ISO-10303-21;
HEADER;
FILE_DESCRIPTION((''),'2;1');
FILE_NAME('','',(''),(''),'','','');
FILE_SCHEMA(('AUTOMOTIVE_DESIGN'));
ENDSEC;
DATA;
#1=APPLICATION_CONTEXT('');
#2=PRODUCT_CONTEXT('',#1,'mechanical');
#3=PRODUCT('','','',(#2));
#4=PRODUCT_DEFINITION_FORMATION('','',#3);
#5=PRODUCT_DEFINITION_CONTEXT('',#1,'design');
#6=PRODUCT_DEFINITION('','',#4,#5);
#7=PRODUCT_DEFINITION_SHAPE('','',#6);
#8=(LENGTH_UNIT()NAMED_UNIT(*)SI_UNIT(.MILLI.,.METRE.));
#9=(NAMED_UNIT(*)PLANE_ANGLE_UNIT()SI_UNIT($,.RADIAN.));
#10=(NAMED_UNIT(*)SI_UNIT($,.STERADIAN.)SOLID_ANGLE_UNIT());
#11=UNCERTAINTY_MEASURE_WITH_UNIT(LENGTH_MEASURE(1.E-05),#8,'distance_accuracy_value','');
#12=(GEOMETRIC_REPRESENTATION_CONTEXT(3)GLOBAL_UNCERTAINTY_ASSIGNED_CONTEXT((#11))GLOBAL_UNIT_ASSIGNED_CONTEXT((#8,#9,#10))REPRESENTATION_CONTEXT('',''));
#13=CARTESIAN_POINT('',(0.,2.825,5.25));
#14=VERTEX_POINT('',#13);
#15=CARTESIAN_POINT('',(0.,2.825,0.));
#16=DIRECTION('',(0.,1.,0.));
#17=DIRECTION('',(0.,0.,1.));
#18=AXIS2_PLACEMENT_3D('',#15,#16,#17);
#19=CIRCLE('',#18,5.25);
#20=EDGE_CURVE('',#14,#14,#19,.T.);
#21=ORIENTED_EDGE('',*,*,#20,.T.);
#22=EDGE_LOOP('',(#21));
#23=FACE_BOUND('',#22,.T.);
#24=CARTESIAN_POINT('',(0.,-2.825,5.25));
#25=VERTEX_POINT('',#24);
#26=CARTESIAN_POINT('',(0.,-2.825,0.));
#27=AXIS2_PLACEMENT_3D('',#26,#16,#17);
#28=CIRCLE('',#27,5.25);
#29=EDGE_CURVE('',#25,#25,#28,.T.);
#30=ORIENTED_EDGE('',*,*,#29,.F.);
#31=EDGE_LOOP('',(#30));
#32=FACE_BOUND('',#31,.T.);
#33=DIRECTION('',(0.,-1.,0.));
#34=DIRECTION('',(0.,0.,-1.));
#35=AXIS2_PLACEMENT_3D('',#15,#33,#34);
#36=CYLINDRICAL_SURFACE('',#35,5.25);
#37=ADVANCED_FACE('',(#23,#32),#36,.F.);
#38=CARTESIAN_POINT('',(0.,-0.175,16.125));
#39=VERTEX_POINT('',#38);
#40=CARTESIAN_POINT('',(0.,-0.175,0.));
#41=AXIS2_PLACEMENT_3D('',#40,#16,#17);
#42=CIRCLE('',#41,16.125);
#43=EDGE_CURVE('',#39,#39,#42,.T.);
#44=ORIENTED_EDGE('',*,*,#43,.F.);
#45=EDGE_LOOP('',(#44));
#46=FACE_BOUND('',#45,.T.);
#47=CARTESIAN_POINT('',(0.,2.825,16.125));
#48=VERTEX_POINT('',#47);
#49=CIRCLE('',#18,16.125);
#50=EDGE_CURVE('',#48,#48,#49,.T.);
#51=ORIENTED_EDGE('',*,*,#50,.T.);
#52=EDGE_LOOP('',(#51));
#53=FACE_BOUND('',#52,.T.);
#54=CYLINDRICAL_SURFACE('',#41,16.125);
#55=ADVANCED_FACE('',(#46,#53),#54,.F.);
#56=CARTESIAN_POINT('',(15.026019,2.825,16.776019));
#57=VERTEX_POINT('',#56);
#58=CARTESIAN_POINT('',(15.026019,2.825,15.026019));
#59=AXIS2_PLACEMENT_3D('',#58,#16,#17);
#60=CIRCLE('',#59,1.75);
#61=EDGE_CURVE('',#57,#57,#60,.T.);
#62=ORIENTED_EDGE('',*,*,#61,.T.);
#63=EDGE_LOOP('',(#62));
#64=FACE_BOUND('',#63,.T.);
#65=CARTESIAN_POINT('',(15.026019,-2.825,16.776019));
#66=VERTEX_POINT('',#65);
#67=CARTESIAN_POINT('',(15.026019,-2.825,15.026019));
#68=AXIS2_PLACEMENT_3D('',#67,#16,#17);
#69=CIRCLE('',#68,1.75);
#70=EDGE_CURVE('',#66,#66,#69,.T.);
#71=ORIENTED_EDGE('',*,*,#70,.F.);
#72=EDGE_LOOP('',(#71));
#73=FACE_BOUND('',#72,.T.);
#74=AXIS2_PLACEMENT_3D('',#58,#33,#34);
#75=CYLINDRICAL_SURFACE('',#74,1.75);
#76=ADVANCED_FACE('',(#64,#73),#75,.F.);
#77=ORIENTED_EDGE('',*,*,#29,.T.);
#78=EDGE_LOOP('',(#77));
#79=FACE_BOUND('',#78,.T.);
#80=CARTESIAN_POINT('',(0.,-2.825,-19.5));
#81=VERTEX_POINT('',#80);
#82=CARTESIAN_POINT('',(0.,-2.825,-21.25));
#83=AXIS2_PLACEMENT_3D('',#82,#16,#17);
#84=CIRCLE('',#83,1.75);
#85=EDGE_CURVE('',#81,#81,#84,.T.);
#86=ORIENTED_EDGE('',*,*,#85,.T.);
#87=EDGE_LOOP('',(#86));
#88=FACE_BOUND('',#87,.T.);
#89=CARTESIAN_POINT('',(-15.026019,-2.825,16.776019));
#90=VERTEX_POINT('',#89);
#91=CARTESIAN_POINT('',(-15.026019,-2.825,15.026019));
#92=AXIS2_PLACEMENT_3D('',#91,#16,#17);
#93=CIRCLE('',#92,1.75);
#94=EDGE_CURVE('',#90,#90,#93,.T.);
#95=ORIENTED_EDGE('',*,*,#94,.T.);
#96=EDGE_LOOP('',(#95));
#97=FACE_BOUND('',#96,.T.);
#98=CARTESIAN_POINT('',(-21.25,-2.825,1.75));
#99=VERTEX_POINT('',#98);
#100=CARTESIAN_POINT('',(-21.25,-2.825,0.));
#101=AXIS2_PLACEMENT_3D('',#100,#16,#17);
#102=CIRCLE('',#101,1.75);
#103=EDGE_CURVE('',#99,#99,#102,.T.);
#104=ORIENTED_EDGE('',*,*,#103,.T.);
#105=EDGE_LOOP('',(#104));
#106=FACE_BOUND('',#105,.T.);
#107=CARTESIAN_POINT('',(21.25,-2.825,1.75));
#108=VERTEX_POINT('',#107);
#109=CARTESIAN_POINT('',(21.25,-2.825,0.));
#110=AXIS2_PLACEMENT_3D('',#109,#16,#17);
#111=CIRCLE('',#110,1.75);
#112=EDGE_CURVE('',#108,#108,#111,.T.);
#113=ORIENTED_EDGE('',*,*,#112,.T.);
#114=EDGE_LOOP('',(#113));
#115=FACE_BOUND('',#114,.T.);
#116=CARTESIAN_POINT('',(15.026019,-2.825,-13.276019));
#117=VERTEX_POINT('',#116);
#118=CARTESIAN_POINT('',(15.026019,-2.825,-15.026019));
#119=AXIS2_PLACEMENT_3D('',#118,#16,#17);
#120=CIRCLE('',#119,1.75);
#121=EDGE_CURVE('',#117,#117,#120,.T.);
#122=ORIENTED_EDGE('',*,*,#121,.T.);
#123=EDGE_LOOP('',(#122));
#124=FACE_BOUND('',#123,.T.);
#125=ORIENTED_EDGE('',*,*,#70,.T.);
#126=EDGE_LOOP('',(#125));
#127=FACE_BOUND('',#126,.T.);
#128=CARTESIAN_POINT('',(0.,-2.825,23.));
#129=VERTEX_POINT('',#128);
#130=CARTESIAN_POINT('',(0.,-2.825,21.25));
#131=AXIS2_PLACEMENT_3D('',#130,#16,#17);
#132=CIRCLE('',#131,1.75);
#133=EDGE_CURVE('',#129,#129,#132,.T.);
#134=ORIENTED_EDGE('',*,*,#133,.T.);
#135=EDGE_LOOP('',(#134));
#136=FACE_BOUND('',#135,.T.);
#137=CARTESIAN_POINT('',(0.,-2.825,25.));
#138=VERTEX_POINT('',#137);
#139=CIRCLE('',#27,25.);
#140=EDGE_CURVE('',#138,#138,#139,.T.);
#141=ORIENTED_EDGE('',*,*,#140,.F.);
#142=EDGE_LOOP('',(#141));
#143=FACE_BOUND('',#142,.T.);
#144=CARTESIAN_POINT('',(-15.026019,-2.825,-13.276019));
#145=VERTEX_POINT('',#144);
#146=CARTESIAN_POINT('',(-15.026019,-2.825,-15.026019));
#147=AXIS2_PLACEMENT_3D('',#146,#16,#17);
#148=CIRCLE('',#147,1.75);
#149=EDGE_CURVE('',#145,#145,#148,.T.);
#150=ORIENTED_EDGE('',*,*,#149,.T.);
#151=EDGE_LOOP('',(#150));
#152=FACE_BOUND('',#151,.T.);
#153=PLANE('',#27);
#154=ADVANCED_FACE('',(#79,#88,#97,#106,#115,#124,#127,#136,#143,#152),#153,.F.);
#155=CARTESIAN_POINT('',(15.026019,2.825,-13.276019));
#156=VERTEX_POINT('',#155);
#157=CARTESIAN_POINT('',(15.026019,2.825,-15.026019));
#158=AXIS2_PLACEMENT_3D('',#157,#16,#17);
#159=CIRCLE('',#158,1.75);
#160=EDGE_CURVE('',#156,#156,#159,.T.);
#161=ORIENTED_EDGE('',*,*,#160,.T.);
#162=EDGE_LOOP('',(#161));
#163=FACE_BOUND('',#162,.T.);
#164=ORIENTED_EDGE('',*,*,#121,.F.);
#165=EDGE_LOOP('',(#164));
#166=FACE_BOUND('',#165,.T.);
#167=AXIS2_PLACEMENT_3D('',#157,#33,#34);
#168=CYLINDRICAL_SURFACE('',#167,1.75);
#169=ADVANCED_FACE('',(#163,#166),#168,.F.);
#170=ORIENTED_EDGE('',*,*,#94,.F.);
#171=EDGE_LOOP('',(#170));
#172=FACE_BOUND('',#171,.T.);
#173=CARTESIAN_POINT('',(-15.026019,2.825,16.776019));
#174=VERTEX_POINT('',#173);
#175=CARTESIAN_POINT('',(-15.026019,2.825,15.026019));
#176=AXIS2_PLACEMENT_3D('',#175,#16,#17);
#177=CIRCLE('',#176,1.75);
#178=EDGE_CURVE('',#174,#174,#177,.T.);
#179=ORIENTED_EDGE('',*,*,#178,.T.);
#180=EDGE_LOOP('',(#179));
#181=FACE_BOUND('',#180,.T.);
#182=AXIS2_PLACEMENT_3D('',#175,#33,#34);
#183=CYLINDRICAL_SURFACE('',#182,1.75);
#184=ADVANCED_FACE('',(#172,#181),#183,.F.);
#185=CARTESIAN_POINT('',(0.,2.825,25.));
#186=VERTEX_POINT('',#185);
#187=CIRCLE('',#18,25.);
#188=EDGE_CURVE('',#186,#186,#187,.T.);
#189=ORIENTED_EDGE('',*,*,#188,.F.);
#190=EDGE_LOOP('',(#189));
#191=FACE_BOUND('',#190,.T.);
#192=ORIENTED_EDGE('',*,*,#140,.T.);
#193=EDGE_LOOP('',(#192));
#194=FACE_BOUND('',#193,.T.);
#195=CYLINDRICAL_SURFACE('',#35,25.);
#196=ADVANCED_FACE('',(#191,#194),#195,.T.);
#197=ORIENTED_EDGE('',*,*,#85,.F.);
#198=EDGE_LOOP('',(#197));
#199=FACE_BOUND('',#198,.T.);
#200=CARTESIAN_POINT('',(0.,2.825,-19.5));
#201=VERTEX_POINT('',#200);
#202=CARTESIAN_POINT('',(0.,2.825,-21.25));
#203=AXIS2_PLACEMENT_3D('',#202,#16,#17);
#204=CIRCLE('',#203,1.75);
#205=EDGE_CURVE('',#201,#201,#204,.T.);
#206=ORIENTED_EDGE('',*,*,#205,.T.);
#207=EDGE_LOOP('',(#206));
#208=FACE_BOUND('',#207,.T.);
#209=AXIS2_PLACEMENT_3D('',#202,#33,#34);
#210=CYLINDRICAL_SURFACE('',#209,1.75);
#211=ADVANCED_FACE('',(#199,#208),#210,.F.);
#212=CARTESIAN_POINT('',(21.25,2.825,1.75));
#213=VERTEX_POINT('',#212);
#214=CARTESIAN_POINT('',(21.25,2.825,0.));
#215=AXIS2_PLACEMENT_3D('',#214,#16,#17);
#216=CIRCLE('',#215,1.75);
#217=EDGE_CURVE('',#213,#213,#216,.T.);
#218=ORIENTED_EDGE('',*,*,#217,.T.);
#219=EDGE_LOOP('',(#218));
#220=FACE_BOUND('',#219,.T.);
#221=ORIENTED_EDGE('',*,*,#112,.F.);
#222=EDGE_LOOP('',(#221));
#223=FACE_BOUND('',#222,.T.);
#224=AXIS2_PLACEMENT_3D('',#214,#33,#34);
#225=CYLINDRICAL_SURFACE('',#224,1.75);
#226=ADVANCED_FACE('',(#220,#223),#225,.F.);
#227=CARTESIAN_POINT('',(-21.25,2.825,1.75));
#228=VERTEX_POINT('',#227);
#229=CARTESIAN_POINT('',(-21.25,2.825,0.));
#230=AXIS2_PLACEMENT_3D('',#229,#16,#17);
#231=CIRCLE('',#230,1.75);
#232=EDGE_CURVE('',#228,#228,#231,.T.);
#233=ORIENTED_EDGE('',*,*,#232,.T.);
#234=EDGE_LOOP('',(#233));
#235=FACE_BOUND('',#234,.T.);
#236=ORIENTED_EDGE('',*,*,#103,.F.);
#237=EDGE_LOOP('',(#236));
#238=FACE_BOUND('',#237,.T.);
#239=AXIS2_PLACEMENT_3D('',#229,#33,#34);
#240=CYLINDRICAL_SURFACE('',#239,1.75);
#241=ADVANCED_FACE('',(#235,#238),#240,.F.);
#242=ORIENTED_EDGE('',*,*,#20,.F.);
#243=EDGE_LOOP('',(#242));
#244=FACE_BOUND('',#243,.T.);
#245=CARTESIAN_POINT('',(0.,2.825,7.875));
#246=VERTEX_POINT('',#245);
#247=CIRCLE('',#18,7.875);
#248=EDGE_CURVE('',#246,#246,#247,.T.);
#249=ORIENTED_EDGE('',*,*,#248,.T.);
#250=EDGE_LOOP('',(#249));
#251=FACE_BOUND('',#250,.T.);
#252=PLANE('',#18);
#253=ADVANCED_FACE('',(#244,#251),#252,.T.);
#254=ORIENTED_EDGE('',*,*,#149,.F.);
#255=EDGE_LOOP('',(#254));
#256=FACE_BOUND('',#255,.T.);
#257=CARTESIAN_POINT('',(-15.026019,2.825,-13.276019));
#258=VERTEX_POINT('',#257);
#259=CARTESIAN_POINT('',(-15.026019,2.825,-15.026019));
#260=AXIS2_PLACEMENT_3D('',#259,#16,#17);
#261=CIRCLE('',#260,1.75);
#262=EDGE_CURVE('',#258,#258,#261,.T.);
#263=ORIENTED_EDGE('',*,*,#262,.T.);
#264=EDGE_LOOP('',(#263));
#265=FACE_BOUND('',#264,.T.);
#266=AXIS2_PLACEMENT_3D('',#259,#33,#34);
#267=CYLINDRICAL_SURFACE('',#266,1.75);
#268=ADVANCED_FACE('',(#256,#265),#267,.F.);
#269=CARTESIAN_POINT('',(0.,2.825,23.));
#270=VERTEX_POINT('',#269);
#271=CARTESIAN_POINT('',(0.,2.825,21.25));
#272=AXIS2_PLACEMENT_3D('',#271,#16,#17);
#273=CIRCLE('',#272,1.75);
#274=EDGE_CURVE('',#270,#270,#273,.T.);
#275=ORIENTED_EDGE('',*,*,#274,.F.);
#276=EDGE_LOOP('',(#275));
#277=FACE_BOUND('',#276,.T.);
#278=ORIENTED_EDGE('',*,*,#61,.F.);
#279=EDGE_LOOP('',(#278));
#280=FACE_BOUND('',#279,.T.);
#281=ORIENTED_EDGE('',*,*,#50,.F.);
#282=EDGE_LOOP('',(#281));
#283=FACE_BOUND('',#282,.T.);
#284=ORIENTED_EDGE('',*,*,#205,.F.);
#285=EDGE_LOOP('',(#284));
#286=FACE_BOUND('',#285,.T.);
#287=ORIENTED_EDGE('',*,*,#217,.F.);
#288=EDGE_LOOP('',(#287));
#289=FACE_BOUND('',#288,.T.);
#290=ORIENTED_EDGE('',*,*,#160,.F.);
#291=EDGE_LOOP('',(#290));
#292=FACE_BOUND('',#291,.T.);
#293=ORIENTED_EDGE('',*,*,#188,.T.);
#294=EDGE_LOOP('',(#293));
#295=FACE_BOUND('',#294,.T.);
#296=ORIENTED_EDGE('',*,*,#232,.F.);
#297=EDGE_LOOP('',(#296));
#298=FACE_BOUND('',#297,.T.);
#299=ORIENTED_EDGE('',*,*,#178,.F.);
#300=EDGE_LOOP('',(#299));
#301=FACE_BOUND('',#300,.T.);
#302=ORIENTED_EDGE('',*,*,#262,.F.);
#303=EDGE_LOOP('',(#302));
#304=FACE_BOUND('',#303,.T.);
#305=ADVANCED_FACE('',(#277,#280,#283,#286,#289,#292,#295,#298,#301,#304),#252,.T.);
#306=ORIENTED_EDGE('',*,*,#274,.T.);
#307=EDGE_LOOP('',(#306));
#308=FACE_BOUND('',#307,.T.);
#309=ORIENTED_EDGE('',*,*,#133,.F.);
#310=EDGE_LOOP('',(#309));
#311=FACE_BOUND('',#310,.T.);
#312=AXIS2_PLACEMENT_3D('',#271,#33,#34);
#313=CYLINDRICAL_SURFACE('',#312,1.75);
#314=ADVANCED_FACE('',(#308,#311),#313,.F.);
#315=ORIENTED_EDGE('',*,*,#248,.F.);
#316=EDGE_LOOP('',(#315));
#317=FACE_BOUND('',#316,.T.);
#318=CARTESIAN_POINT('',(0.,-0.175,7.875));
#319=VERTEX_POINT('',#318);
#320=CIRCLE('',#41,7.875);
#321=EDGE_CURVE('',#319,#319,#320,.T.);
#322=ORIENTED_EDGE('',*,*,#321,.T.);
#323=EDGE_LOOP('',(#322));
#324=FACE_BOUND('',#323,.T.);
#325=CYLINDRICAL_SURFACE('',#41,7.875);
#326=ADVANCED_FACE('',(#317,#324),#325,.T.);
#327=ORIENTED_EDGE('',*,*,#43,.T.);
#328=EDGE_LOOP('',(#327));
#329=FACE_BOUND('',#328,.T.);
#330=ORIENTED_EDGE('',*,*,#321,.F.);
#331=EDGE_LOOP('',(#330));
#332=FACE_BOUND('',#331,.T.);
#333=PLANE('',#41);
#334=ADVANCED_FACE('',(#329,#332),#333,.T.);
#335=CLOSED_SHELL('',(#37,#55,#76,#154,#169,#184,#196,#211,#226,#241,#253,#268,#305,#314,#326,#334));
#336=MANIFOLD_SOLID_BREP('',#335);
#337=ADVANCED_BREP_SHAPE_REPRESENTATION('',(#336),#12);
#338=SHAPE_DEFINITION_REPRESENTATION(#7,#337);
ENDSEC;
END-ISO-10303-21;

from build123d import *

# Parameters (mm, degrees)
SKETCH2_R           = 25
SKETCH2_R_2         = 5.25
SKETCH2_R_3         = 1.75
BOSS_EXTRUDE1_DEPTH = 2.825
SKETCH3_R           = 16.125
SKETCH3_R_2         = 7.875
CUT_EXTRUDE1_DEPTH  = 3


with BuildPart() as part:
    # Sketch2 → Boss-Extrude1 (new, symmetric)
    with BuildSketch(Plane(origin=(0, 0, 0), x_dir=(1, 0, 0), z_dir=(0, 1, 0))):
        with Locations(Location((0, 0, 0), (0, 0, 270))):
            Circle(SKETCH2_R)
        with Locations(Location((0, 0, 0), (0, 0, 270))):
            Circle(SKETCH2_R_2, mode=Mode.SUBTRACT)
        with Locations(Location((0, 21.25, 0), (0, 0, 270))):
            Circle(SKETCH2_R_3, mode=Mode.SUBTRACT)
        with Locations(Location((15.0260191, 15.0260191, 0), (0, 0, 270))):
            Circle(SKETCH2_R_3, mode=Mode.SUBTRACT)
        with Locations(Location((21.25, 0, 0), (0, 0, 270))):
            Circle(SKETCH2_R_3, mode=Mode.SUBTRACT)
        with Locations(Location((15.0260191, -15.0260191, 0), (0, 0, 270))):
            Circle(SKETCH2_R_3, mode=Mode.SUBTRACT)
        with Locations(Location((0, -21.25, 0), (0, 0, 270))):
            Circle(SKETCH2_R_3, mode=Mode.SUBTRACT)
        with Locations(Location((-15.0260191, -15.0260191, 0), (0, 0, 270))):
            Circle(SKETCH2_R_3, mode=Mode.SUBTRACT)
        with Locations(Location((-21.25, 0, 0), (0, 0, 270))):
            Circle(SKETCH2_R_3, mode=Mode.SUBTRACT)
        with Locations(Location((-15.0260191, 15.0260191, 0), (0, 0, 270))):
            Circle(SKETCH2_R_3, mode=Mode.SUBTRACT)
    extrude(amount=BOSS_EXTRUDE1_DEPTH, both=True)

    # Sketch3 → Cut-Extrude1 (cut)
    with BuildSketch(Plane(origin=(0, 2.825, 0), x_dir=(1, 0, 0), z_dir=(0, 1, 0))):
        with Locations(Location((0, 0, 0), (0, 0, 270))):
            Circle(SKETCH3_R)
        with Locations(Location((0, 0, 0), (0, 0, 270))):
            Circle(SKETCH3_R_2, mode=Mode.SUBTRACT)
    extrude(amount=-CUT_EXTRUDE1_DEPTH, mode=Mode.SUBTRACT)


solid = part.part
